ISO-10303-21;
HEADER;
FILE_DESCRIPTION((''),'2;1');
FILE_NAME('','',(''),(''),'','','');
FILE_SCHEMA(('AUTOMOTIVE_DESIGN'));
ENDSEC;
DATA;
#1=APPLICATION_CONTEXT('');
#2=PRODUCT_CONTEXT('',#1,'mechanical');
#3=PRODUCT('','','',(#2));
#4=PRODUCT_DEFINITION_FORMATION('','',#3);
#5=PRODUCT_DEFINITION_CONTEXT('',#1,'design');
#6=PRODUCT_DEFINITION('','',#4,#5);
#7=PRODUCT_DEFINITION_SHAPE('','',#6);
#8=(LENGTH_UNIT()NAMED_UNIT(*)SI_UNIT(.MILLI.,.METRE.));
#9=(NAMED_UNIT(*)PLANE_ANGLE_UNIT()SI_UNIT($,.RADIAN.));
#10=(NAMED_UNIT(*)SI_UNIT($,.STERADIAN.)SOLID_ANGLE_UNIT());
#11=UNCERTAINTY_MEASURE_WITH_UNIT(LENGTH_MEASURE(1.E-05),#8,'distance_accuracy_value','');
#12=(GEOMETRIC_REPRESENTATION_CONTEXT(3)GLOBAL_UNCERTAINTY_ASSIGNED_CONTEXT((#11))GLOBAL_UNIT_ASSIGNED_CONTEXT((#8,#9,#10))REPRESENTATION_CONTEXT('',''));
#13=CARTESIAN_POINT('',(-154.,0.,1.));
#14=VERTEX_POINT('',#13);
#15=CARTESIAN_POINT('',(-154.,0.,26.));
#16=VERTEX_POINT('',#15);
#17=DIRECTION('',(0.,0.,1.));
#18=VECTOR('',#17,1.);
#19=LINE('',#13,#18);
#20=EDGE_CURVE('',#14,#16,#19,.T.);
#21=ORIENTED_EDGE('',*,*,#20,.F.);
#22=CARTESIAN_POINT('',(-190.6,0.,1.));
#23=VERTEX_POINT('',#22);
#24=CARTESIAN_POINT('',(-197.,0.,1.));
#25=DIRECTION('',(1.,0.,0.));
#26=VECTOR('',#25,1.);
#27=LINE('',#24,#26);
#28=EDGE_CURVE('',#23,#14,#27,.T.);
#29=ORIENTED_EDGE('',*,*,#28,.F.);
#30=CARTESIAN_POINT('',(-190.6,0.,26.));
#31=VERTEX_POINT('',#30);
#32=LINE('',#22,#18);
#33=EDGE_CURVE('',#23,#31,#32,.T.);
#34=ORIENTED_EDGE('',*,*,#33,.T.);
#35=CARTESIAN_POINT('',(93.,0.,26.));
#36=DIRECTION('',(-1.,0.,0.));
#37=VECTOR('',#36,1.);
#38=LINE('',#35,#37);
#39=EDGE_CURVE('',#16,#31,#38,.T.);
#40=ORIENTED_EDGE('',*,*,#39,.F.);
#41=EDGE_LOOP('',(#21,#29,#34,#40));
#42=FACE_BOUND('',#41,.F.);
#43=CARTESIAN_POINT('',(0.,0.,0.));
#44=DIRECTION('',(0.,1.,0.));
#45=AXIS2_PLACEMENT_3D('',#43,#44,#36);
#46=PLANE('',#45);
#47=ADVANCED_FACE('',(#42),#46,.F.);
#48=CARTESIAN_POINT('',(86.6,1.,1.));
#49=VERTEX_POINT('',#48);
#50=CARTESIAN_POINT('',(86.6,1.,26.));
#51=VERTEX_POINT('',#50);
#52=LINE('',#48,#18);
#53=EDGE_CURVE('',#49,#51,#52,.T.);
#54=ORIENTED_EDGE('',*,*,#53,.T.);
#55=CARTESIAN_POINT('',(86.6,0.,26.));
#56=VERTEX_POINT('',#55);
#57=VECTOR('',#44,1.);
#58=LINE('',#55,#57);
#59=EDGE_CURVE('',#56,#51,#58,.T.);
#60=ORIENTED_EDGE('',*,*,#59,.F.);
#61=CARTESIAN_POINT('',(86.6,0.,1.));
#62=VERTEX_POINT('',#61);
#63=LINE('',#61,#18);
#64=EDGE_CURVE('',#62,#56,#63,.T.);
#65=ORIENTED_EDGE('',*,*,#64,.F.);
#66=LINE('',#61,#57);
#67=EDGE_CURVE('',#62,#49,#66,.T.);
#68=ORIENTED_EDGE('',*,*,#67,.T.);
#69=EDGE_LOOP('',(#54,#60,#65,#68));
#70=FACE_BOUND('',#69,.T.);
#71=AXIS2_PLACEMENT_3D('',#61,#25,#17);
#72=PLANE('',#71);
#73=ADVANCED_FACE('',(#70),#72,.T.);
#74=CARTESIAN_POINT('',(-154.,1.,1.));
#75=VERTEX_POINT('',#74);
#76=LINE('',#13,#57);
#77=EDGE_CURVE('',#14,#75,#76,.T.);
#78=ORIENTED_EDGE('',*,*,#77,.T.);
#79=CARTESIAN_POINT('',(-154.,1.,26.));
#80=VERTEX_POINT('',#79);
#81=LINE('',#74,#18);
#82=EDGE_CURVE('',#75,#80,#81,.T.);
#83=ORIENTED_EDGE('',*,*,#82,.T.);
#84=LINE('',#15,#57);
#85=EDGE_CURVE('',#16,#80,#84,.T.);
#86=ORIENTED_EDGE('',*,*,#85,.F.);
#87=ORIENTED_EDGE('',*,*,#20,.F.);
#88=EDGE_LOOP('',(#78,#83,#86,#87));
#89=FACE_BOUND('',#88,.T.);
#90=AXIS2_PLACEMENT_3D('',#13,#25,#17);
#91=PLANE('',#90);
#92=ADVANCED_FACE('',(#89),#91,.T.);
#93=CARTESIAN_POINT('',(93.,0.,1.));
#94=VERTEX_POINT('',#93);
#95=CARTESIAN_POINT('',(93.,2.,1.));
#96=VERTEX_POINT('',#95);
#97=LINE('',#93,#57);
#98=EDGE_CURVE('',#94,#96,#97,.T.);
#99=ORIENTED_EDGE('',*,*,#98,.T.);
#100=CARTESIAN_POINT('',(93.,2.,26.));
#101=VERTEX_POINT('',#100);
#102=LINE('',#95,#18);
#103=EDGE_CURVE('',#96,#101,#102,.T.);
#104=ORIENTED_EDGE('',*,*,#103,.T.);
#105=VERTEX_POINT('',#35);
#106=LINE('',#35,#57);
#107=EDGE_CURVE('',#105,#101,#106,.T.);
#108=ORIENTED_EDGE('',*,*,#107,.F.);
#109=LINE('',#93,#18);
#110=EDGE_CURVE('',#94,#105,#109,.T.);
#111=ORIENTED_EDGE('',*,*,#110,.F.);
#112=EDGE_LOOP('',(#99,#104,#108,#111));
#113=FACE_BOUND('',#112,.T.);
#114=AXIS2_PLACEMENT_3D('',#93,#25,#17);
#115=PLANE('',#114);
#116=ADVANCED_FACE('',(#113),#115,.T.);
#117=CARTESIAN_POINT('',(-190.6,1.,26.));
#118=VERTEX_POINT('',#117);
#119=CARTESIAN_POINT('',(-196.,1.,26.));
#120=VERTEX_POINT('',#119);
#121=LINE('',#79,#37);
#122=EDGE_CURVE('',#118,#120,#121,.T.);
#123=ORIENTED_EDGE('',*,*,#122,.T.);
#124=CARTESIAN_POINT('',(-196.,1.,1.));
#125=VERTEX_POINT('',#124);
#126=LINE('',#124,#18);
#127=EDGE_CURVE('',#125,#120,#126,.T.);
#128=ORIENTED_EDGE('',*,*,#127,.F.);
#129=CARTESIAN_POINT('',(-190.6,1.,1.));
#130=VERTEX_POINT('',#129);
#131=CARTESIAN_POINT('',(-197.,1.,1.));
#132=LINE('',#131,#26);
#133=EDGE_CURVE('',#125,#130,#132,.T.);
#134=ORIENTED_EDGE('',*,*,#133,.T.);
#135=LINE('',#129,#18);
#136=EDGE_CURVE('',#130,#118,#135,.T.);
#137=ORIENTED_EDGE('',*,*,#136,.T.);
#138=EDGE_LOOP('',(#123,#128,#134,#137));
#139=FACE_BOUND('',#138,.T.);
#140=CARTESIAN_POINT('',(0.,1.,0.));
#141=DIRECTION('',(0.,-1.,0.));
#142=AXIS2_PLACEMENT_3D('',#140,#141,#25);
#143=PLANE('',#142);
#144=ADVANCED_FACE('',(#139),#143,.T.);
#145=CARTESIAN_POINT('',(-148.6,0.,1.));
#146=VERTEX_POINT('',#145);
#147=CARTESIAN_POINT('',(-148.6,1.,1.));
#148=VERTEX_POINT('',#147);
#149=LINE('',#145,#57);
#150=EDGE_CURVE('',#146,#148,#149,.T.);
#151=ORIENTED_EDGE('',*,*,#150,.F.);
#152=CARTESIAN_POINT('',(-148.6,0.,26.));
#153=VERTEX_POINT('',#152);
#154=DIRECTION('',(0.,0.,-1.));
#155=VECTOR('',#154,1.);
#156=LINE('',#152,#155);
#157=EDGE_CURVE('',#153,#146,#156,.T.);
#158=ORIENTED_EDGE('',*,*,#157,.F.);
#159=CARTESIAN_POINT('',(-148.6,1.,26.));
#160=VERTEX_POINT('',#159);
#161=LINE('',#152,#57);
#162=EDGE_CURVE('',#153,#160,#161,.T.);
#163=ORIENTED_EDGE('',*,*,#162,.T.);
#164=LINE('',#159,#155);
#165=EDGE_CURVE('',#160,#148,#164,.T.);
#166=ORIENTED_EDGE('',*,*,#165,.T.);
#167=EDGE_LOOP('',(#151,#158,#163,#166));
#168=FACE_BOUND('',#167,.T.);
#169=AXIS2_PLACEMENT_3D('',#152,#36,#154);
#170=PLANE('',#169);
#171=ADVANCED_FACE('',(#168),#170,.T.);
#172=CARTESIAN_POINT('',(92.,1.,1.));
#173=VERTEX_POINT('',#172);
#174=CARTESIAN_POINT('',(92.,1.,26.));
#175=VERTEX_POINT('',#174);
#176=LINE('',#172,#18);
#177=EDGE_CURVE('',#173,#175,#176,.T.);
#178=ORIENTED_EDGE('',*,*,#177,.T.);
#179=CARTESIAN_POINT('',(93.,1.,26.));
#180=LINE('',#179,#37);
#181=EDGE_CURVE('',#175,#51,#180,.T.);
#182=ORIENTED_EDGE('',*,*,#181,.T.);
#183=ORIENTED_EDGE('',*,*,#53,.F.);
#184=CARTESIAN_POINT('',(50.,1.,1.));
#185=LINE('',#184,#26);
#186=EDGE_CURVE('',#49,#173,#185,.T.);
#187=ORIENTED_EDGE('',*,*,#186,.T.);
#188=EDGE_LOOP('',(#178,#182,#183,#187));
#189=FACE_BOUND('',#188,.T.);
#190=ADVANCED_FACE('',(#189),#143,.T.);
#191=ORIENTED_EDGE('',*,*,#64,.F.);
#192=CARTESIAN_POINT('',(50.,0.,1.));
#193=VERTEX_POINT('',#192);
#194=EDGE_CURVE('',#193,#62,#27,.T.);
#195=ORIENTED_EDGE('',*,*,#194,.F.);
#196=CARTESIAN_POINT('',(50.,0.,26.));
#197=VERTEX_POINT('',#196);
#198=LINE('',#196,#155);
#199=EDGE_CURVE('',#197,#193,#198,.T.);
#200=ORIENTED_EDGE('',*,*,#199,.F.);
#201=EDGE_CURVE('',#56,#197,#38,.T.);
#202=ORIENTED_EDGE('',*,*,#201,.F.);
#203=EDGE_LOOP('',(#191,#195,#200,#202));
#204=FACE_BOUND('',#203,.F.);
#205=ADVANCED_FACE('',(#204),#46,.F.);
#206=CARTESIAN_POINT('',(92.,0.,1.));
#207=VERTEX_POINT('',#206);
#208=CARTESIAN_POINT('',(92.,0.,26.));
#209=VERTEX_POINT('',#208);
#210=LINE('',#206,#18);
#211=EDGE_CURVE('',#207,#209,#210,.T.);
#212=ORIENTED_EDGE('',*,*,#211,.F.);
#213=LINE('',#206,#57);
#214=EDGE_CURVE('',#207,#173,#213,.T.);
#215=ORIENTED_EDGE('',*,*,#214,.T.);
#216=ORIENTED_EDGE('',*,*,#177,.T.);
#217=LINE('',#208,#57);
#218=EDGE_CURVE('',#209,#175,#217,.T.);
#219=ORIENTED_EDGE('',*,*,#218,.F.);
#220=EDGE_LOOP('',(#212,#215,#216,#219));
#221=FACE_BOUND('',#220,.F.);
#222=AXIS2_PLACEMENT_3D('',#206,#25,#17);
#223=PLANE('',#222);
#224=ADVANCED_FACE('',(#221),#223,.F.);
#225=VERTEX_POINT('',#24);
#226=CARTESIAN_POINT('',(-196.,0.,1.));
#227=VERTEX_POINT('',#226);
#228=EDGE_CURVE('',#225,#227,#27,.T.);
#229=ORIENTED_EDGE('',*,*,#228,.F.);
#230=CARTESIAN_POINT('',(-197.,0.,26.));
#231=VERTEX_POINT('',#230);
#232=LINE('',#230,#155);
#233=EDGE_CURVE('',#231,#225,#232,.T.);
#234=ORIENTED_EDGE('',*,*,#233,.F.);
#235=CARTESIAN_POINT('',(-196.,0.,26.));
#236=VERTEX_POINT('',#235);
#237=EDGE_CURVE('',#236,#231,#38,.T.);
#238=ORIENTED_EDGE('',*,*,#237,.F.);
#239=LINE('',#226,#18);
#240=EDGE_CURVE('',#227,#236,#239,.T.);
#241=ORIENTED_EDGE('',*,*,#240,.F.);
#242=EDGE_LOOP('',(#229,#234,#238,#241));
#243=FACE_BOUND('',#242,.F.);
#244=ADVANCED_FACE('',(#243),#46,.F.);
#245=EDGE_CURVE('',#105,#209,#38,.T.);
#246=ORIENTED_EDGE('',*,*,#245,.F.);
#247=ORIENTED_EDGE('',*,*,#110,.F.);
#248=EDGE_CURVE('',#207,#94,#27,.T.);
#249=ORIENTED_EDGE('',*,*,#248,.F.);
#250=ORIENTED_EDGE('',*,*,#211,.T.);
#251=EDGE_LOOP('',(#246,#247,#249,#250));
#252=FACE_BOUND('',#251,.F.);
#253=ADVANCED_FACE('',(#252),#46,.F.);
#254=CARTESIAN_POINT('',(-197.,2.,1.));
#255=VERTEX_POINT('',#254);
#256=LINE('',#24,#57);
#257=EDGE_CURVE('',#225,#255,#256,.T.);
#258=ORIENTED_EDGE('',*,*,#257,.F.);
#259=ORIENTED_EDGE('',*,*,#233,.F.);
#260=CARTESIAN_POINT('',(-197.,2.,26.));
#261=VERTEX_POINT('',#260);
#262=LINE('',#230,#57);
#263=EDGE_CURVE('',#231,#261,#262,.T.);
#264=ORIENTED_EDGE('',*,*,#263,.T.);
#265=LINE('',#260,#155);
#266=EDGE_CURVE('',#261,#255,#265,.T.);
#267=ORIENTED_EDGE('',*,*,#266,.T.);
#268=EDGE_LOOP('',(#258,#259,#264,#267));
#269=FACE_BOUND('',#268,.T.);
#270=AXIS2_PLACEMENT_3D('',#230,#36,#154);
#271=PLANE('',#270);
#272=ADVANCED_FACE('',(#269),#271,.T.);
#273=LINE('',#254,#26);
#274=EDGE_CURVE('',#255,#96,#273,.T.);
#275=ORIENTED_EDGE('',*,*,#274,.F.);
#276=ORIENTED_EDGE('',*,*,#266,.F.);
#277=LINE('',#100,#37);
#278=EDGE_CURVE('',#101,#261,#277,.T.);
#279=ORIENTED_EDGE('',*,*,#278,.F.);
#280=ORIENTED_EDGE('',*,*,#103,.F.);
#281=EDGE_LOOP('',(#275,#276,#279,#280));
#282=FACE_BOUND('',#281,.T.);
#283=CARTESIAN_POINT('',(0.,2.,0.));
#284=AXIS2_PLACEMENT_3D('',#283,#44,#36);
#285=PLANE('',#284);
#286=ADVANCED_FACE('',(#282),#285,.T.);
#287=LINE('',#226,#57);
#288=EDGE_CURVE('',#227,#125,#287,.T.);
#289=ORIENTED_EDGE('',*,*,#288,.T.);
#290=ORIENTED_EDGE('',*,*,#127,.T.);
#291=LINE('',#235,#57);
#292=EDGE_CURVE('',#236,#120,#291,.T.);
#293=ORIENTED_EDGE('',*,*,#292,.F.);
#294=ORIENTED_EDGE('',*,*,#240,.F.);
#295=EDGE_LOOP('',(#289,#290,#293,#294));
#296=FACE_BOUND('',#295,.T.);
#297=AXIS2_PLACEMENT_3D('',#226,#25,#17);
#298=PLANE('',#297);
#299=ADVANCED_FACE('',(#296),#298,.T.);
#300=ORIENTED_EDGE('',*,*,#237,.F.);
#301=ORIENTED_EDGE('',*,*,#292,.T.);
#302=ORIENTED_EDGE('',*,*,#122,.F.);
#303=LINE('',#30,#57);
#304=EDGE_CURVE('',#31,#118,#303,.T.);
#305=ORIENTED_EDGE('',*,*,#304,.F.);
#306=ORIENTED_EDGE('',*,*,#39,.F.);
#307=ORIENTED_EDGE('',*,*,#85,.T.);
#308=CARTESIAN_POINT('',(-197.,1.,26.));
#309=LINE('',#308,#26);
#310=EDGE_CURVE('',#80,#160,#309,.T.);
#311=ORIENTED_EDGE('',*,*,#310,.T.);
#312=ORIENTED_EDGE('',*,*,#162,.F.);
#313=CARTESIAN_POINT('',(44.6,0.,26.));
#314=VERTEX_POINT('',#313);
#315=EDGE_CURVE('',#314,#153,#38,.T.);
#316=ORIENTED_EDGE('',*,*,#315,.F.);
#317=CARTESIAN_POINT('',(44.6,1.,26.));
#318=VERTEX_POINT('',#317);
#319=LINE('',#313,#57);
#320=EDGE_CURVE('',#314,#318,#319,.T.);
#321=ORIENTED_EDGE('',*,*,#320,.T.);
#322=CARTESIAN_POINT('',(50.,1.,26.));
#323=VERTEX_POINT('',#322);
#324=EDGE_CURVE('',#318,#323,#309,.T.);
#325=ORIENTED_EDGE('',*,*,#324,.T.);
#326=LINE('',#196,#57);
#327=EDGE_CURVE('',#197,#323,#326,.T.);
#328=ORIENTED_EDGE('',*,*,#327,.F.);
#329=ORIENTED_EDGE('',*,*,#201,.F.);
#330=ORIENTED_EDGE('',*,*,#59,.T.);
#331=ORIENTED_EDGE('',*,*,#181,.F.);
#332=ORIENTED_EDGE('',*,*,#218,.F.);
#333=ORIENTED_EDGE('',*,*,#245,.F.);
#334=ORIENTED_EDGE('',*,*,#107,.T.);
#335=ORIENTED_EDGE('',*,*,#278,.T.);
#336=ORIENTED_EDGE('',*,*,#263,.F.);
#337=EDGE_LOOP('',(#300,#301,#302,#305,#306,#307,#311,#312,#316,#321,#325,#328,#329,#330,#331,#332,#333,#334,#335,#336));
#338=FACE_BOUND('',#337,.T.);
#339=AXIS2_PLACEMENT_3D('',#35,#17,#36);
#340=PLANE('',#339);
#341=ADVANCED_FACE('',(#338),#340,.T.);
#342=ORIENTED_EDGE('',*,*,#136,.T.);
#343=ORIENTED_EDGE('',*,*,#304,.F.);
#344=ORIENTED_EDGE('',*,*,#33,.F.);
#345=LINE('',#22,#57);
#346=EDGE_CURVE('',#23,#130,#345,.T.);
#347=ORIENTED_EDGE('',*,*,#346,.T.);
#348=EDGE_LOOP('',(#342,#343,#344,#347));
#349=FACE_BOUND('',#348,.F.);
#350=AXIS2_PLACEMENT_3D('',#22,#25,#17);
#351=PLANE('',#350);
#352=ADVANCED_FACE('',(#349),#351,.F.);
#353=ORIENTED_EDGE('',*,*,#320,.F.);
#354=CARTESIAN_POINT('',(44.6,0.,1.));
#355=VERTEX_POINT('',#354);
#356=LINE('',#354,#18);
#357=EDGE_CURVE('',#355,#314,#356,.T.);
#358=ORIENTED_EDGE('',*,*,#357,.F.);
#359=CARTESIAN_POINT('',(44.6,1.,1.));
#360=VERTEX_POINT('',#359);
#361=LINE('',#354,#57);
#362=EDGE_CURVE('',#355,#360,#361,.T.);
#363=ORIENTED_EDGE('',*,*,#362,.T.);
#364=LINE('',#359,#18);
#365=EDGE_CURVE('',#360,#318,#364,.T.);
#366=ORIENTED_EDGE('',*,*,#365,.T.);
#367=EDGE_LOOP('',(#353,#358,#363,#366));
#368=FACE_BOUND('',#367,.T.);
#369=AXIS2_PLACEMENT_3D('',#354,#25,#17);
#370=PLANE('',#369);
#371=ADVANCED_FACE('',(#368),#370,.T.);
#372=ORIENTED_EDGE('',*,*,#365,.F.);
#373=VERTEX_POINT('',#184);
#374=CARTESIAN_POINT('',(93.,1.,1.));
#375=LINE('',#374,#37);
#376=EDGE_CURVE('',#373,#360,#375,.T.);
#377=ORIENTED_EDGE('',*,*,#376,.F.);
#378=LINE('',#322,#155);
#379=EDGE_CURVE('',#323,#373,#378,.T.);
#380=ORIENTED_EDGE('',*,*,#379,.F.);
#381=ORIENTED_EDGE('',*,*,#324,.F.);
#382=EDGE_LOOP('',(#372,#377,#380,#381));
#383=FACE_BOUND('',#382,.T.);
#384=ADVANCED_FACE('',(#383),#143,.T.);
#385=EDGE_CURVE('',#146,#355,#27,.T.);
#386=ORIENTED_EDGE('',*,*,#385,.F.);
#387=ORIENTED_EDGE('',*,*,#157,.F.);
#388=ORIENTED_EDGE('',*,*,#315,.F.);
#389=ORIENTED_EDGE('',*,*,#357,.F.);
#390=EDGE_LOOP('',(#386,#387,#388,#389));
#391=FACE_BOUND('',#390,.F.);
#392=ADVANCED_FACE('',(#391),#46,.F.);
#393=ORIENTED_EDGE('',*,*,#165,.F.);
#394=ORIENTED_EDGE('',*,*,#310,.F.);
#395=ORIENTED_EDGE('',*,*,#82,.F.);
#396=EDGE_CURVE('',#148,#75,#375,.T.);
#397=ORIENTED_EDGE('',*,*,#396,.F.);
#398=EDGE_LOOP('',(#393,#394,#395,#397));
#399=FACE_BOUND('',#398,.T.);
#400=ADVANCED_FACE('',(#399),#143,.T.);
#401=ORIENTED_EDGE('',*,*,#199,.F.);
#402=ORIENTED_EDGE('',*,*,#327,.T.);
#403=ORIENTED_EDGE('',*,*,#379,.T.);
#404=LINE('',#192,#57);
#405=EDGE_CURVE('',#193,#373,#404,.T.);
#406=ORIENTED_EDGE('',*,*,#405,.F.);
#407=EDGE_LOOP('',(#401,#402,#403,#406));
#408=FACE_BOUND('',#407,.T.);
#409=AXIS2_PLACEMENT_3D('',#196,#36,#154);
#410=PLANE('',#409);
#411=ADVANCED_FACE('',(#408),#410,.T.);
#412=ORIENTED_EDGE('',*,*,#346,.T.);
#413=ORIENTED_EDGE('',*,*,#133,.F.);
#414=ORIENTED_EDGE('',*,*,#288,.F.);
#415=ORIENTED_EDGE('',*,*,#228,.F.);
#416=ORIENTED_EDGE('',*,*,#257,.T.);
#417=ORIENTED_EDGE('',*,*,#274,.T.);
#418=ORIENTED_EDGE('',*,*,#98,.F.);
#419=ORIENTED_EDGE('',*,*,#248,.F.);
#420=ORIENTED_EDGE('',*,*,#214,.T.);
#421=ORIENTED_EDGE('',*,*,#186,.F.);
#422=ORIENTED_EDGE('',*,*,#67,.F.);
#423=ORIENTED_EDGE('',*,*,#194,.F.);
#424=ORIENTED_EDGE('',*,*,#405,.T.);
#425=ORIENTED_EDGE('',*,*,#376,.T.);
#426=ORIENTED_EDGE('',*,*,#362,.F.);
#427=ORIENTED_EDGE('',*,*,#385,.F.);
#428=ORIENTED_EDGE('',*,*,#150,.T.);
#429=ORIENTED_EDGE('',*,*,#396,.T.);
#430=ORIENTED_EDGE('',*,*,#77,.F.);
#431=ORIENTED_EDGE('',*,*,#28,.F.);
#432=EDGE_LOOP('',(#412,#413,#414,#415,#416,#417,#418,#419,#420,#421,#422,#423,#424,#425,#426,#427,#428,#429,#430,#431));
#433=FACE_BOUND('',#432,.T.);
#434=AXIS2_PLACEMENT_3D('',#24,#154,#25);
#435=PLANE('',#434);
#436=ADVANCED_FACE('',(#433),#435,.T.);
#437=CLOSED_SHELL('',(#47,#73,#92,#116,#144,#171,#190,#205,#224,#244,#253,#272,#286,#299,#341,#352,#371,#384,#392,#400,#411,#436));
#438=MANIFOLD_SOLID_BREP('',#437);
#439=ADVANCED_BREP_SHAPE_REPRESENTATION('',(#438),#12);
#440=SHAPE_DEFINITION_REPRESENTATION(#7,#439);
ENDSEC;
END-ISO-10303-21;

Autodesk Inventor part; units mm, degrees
ref_plane "YZ Plane" through (0, 0, 0) normal (1, 0, 0) x (0, 1, 0)
ref_plane "XZ Plane" through (0, 0, 0) normal (0, 1, 0) x (-1, 0, 0)
ref_plane "XY Plane" through (0, 0, 0) normal (0, 0, 1) x (1, 0, 0)
sketch "스케치1" plane through (0, 0, 0) normal (0, 1, 0) x (-1, 0, 0)
  line L0 (197, 1) -> (-93, 1)
  line L1 (-93, 1) -> (-93, 26)
  line L2 (-93, 26) -> (197, 26)
  line L3 (197, 26) -> (197, 1)
  point P0 (0, 0)
  dimension "d0" = 290
  dimension "d1" = 25
extrude "돌출1" add sketch "스케치1" along normal blind 2
sketch "스케치2" plane through (0, 0, 0) normal (0, -1, 0) x (1, 0, 0)
  line L0 (-197, 26) -> (93, 26) projected
  line L1 (93, 1) -> (-197, 1) projected
  line L2 (-154, 26) -> (-148.6, 26)
  line L3 (-148.6, 26) -> (-148.6, 1)
  line L4 (-148.6, 1) -> (-154, 1)
  line L5 (-154, 1) -> (-154, 26)
  line L6 (44.6, 26) -> (50, 26)
  line L7 (50, 26) -> (50, 1)
  line L8 (50, 1) -> (44.6, 1)
  line L9 (44.6, 1) -> (44.6, 26)
  line L10 (-197, 26) -> (-197, 1) projected
  line L11 (93, 1) -> (93, 26) projected
  point P0 (0, 0)
  dimension "d4" = 5.4
  dimension "d5" = 5.4
  dimension "d6" = 43
  dimension "d7" = 43
extrude "돌출2" cut sketch "스케치2" against normal blind 1 contours L0 L3 L1 L5 | L0 L7 L1 L9
sketch "스케치3" plane through (0, 0, 0) normal (0, -1, 0) x (1, 0, 0)
  line L0 (50, 26) -> (50, 1) projected
  line L1 (50, 1) -> (93, 1) projected
  line L2 (93, 1) -> (93, 26) projected
  line L3 (93, 26) -> (50, 26) projected
  line L4 (-154, 1) -> (-154, 26) projected
  line L5 (-154, 26) -> (-197, 26) projected
  line L6 (-197, 26) -> (-197, 1) projected
  line L7 (-197, 1) -> (-154, 1) projected
  line L8 (50, 1) -> (93, 1) projected
  line L9 (92, 1) -> (92, 26)
  line L10 (86.6, 1) -> (86.6, 26)
  line L11 (-196, 1) -> (-196, 26)
  line L12 (93, 1) -> (-197, 1) projected
  line L13 (-190.6, 1) -> (-190.6, 26)
  point P0 (0, 0)
  dimension "d10" = 1
  dimension "d11" = 5.4
  dimension "d12" = 1
  dimension "d13" = 5.4
extrude "돌출3" cut sketch "스케치3" against normal blind 1 contours L3 L9 L1 L10 | L7 L11 L5 L13
properties part number "앞판_중간" material "알루미늄 6061"
